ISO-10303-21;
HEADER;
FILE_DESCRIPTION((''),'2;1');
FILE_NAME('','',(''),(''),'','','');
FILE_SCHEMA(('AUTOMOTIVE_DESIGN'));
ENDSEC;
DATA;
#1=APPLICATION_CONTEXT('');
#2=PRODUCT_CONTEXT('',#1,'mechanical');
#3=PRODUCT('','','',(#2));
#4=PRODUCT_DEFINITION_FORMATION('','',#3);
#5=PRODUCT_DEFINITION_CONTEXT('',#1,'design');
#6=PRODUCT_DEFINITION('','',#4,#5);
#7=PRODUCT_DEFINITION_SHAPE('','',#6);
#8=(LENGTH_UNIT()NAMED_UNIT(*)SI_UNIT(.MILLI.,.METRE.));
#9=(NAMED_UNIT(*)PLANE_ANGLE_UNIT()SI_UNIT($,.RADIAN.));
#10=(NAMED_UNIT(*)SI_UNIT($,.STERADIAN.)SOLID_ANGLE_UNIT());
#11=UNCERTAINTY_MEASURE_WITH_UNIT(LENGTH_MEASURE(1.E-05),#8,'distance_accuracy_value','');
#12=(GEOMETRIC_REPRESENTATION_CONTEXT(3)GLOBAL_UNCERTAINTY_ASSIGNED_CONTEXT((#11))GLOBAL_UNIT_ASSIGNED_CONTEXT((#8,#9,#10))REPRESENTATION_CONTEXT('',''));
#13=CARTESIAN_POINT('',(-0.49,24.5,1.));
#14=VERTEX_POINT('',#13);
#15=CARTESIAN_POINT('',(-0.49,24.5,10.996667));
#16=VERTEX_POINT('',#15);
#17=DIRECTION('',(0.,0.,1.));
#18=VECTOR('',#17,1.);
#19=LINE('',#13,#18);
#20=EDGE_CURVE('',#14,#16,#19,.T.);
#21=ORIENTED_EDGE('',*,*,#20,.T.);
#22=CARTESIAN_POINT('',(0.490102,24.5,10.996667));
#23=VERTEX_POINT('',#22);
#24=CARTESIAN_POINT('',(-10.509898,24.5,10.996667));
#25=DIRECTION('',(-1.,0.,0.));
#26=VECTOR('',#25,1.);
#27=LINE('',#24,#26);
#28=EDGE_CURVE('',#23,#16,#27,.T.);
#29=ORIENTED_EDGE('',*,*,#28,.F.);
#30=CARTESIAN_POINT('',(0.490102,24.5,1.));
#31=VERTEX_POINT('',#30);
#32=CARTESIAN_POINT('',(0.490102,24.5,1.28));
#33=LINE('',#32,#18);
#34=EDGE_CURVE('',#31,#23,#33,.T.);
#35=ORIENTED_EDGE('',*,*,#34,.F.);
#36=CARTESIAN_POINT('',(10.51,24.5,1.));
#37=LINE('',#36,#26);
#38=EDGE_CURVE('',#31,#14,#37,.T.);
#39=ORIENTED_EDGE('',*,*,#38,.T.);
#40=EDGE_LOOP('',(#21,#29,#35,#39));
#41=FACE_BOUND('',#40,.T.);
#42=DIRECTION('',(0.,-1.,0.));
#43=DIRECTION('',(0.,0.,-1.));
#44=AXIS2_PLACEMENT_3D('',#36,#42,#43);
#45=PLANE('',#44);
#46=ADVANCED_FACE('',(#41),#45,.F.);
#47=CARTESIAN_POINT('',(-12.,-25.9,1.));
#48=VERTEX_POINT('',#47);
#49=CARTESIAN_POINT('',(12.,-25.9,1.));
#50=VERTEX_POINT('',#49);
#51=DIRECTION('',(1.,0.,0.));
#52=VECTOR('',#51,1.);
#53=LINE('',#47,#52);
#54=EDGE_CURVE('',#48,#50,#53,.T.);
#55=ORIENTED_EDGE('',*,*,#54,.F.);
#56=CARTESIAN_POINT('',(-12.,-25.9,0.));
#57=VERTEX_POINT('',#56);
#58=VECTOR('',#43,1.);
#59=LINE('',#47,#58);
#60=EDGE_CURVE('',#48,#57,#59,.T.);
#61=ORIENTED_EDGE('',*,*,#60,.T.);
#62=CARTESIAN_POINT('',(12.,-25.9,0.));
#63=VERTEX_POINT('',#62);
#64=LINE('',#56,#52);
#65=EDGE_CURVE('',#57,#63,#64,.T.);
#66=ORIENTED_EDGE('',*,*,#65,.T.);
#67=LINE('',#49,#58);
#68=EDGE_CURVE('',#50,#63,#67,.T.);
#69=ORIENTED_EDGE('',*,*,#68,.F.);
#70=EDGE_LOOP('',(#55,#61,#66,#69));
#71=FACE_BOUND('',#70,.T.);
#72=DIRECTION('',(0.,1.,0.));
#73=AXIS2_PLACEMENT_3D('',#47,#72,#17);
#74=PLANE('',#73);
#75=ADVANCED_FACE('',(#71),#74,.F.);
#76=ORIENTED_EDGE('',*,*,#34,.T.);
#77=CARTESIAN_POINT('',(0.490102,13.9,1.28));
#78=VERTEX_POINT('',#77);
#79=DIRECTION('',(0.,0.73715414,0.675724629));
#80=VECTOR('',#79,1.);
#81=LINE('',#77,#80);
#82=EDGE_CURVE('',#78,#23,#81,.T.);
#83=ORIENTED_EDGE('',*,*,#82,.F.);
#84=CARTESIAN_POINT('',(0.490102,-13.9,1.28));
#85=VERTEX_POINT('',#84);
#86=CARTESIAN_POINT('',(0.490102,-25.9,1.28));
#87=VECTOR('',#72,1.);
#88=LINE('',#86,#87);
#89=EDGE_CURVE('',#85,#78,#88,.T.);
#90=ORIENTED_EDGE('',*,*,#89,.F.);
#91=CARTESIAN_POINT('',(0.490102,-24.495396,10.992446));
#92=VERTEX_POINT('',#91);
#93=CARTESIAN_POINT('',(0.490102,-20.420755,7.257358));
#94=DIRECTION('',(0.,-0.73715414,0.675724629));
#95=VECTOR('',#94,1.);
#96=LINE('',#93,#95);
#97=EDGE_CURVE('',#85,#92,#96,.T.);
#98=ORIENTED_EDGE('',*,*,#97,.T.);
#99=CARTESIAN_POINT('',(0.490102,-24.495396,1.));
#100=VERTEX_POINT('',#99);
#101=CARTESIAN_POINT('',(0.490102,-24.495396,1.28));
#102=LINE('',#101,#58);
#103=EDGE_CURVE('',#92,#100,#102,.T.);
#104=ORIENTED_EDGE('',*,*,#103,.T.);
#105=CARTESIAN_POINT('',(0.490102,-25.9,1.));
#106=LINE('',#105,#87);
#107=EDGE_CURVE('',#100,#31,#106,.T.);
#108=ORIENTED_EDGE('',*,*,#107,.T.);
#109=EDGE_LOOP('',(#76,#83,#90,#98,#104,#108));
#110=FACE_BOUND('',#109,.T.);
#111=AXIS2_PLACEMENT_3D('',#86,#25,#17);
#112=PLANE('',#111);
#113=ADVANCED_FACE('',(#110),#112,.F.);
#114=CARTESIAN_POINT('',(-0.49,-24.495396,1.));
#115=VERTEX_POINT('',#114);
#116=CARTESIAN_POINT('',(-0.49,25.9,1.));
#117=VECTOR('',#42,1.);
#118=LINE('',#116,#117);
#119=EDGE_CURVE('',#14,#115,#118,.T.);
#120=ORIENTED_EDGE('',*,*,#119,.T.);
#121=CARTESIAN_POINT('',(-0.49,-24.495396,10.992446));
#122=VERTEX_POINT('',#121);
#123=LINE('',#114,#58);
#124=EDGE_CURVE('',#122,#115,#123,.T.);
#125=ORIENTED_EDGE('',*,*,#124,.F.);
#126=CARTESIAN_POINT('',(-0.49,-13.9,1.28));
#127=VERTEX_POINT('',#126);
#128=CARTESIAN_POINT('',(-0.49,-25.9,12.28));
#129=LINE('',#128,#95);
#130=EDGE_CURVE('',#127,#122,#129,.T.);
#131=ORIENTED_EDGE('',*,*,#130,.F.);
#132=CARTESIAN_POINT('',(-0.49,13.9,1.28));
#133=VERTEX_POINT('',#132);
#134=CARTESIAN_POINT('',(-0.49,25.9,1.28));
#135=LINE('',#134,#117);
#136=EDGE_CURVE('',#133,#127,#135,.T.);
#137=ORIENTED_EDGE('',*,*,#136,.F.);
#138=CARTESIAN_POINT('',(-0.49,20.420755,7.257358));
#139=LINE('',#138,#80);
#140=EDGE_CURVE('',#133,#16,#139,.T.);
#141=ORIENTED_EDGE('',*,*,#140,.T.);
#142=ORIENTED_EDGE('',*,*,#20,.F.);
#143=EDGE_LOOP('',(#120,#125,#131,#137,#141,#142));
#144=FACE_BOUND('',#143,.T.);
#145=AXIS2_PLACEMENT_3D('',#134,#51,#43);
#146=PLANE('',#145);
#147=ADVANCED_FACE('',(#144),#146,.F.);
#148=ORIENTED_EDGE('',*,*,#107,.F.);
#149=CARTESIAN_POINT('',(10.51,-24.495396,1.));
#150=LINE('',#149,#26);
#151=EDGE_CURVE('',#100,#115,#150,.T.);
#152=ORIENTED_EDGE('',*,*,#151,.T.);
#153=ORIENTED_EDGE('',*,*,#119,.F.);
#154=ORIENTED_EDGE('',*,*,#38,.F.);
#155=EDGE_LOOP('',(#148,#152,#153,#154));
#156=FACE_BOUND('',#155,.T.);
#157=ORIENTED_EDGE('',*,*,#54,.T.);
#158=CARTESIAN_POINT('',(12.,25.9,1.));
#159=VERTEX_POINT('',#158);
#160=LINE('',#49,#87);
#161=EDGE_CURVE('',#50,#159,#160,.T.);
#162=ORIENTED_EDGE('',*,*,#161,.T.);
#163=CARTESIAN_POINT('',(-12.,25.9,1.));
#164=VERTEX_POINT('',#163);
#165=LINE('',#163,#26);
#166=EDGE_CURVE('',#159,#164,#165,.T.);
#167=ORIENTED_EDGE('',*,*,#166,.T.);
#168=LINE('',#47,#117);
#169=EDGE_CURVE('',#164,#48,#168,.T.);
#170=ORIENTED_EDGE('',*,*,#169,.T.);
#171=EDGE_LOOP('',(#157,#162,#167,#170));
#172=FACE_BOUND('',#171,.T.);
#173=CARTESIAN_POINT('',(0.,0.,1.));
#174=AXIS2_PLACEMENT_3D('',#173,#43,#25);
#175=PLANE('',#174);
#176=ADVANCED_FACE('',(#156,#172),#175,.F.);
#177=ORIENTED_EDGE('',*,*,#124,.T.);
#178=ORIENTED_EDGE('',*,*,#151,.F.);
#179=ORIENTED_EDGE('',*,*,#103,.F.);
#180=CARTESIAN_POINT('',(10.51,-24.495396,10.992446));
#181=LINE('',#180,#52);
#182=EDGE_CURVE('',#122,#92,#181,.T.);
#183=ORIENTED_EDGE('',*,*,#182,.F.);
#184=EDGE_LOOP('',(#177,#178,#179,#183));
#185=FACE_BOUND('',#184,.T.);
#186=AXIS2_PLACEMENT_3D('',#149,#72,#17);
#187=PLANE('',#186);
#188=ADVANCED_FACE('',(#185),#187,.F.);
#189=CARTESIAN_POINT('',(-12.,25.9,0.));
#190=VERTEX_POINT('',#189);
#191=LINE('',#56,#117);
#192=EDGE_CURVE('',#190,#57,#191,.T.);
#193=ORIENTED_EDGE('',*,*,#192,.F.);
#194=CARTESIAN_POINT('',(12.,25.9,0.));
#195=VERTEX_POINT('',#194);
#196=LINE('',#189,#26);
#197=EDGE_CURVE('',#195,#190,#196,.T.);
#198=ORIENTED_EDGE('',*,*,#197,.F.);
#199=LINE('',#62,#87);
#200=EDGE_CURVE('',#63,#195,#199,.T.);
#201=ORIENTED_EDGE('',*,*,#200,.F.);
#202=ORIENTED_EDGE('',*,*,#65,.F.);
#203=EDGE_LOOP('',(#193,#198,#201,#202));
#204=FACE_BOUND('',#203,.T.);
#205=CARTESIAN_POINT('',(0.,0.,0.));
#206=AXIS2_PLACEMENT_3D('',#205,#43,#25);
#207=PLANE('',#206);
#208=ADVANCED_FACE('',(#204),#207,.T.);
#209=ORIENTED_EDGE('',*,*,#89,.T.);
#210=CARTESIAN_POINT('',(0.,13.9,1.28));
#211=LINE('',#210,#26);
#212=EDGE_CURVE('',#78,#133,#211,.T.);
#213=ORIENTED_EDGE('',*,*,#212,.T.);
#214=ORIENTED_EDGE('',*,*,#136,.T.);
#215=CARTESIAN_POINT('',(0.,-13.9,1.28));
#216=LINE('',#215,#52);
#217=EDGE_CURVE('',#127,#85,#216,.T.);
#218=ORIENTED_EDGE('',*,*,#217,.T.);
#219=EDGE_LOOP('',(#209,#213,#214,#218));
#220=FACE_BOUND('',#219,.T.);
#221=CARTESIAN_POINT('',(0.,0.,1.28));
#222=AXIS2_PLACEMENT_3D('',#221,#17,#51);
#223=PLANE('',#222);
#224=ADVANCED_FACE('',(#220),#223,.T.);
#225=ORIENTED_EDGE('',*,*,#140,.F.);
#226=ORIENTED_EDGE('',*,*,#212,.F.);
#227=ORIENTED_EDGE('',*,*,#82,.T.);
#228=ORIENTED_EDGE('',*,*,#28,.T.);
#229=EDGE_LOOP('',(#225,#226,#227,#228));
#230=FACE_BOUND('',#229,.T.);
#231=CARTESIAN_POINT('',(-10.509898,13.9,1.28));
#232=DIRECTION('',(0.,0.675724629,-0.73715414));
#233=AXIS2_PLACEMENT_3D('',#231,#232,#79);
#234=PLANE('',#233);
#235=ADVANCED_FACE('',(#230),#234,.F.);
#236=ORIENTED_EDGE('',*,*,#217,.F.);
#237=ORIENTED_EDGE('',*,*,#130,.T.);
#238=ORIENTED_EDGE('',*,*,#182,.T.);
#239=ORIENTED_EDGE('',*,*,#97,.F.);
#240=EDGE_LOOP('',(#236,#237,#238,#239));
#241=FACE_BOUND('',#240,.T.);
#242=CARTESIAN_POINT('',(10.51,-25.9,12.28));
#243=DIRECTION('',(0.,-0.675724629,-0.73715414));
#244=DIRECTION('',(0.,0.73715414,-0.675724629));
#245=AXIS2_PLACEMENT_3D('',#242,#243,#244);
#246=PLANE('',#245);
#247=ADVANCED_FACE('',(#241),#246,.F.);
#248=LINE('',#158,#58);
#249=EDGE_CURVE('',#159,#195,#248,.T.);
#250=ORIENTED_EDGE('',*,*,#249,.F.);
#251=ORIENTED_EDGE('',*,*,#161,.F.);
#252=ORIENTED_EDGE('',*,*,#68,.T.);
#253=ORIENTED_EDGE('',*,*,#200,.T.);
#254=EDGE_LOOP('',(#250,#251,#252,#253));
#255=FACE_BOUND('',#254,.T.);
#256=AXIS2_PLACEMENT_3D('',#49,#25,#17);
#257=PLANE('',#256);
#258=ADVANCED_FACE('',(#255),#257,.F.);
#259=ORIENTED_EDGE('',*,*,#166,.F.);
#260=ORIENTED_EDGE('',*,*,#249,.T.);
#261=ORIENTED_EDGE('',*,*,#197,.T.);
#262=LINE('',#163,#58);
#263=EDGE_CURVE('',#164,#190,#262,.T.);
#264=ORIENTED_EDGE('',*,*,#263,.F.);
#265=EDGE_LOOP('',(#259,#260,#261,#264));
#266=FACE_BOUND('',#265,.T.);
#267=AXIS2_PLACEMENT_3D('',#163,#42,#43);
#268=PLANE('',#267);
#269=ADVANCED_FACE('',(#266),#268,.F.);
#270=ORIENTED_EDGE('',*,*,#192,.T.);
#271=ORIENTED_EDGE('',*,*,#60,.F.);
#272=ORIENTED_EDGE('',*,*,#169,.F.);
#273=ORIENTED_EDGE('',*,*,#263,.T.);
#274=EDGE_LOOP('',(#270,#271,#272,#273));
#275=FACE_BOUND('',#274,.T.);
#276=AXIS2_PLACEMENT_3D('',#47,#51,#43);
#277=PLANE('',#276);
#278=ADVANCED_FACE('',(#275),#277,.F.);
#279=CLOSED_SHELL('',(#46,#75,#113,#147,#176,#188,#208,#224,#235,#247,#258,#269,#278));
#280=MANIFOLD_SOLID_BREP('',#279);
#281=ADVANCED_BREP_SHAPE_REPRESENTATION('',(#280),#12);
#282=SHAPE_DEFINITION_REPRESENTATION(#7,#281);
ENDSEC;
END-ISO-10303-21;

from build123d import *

# Parameters (mm, degrees)
SKICA1_W                 = 24
SKICA1_H                 = 51.8
P_IDAT_VYSUNUT_M2_DEPTH  = 1
SKICA2_W                 = 0.980102229
SKICA2_H                 = 51.8
P_IDAT_VYSUNUT_M3_DEPTH  = 0.28
SKICA3_W                 = 0.980102229
SKICA3_H                 = 12
P_IDAT_VYSUNUT_M5_DEPTH  = 11
ODEBRAT_VYSUNUT_M2_DEPTH = 11
ODEBRAT_VYSUNUT_M3_DEPTH = 11
SKICA9_W                 = 12.041997339
SKICA9_H                 = 1.4
ODEBRAT_VYSUNUT_M4_DEPTH = 11
SKICA10_W                = 11.638115032
SKICA10_H                = 1.404604082
ODEBRAT_VYSUNUT_M5_DEPTH = 11


with BuildPart() as part:
    # Skica1 → Přidat vysunutím2 (new body)
    with BuildSketch(Plane.XY):
        Rectangle(SKICA1_W, SKICA1_H)
    extrude(amount=P_IDAT_VYSUNUT_M2_DEPTH)

    # Skica2 → Přidat vysunutím3 (add)
    with BuildSketch(Plane.XY.offset(1)):
        with Locations((5.1115e-05, 0)):
            Rectangle(SKICA2_W, SKICA2_H)
    extrude(amount=P_IDAT_VYSUNUT_M3_DEPTH)

    # Skica3 → Přidat vysunutím5 (add)
    with BuildSketch(Plane.XY.offset(1.28)):
        with Locations((5.1115e-05, 19.9)):
            Rectangle(SKICA3_W, SKICA3_H)
        with Locations((5.1115e-05, -19.9)):
            Rectangle(SKICA3_W, SKICA3_H)
    extrude(amount=P_IDAT_VYSUNUT_M5_DEPTH)

    # Skica6 → Odebrat vysunutím2 (cut)
    with BuildSketch(Plane(origin=(0.490102229, 0, 0), x_dir=(0, 0, -1), z_dir=(1, 0, 0))):
        Polygon((-12.28, 25.9), (-12.28, 13.9), (-1.28, 13.9), align=None)
    extrude(amount=-ODEBRAT_VYSUNUT_M2_DEPTH, mode=Mode.SUBTRACT)

    # Skica7 → Odebrat vysunutím3 (cut)
    with BuildSketch(Plane.ZY.offset(0.49)):
        Polygon((12.28, -13.9), (12.28, -25.9), (1.28, -13.9), align=None)
    extrude(amount=-ODEBRAT_VYSUNUT_M3_DEPTH, mode=Mode.SUBTRACT)

    # Skica9 → Odebrat vysunutím4 (cut)
    with BuildSketch(Plane.ZY.offset(0.49)):
        with Locations((7.02099867, 25.2)):
            Rectangle(SKICA9_W, SKICA9_H)
    extrude(amount=-ODEBRAT_VYSUNUT_M4_DEPTH, mode=Mode.SUBTRACT)

    # Skica10 → Odebrat vysunutím5 (cut)
    with BuildSketch(Plane.ZY.offset(0.49)):
        with Locations((6.819057516, -25.197697959)):
            Rectangle(SKICA10_W, SKICA10_H)
    extrude(amount=-ODEBRAT_VYSUNUT_M5_DEPTH, mode=Mode.SUBTRACT)


solid = part.part
